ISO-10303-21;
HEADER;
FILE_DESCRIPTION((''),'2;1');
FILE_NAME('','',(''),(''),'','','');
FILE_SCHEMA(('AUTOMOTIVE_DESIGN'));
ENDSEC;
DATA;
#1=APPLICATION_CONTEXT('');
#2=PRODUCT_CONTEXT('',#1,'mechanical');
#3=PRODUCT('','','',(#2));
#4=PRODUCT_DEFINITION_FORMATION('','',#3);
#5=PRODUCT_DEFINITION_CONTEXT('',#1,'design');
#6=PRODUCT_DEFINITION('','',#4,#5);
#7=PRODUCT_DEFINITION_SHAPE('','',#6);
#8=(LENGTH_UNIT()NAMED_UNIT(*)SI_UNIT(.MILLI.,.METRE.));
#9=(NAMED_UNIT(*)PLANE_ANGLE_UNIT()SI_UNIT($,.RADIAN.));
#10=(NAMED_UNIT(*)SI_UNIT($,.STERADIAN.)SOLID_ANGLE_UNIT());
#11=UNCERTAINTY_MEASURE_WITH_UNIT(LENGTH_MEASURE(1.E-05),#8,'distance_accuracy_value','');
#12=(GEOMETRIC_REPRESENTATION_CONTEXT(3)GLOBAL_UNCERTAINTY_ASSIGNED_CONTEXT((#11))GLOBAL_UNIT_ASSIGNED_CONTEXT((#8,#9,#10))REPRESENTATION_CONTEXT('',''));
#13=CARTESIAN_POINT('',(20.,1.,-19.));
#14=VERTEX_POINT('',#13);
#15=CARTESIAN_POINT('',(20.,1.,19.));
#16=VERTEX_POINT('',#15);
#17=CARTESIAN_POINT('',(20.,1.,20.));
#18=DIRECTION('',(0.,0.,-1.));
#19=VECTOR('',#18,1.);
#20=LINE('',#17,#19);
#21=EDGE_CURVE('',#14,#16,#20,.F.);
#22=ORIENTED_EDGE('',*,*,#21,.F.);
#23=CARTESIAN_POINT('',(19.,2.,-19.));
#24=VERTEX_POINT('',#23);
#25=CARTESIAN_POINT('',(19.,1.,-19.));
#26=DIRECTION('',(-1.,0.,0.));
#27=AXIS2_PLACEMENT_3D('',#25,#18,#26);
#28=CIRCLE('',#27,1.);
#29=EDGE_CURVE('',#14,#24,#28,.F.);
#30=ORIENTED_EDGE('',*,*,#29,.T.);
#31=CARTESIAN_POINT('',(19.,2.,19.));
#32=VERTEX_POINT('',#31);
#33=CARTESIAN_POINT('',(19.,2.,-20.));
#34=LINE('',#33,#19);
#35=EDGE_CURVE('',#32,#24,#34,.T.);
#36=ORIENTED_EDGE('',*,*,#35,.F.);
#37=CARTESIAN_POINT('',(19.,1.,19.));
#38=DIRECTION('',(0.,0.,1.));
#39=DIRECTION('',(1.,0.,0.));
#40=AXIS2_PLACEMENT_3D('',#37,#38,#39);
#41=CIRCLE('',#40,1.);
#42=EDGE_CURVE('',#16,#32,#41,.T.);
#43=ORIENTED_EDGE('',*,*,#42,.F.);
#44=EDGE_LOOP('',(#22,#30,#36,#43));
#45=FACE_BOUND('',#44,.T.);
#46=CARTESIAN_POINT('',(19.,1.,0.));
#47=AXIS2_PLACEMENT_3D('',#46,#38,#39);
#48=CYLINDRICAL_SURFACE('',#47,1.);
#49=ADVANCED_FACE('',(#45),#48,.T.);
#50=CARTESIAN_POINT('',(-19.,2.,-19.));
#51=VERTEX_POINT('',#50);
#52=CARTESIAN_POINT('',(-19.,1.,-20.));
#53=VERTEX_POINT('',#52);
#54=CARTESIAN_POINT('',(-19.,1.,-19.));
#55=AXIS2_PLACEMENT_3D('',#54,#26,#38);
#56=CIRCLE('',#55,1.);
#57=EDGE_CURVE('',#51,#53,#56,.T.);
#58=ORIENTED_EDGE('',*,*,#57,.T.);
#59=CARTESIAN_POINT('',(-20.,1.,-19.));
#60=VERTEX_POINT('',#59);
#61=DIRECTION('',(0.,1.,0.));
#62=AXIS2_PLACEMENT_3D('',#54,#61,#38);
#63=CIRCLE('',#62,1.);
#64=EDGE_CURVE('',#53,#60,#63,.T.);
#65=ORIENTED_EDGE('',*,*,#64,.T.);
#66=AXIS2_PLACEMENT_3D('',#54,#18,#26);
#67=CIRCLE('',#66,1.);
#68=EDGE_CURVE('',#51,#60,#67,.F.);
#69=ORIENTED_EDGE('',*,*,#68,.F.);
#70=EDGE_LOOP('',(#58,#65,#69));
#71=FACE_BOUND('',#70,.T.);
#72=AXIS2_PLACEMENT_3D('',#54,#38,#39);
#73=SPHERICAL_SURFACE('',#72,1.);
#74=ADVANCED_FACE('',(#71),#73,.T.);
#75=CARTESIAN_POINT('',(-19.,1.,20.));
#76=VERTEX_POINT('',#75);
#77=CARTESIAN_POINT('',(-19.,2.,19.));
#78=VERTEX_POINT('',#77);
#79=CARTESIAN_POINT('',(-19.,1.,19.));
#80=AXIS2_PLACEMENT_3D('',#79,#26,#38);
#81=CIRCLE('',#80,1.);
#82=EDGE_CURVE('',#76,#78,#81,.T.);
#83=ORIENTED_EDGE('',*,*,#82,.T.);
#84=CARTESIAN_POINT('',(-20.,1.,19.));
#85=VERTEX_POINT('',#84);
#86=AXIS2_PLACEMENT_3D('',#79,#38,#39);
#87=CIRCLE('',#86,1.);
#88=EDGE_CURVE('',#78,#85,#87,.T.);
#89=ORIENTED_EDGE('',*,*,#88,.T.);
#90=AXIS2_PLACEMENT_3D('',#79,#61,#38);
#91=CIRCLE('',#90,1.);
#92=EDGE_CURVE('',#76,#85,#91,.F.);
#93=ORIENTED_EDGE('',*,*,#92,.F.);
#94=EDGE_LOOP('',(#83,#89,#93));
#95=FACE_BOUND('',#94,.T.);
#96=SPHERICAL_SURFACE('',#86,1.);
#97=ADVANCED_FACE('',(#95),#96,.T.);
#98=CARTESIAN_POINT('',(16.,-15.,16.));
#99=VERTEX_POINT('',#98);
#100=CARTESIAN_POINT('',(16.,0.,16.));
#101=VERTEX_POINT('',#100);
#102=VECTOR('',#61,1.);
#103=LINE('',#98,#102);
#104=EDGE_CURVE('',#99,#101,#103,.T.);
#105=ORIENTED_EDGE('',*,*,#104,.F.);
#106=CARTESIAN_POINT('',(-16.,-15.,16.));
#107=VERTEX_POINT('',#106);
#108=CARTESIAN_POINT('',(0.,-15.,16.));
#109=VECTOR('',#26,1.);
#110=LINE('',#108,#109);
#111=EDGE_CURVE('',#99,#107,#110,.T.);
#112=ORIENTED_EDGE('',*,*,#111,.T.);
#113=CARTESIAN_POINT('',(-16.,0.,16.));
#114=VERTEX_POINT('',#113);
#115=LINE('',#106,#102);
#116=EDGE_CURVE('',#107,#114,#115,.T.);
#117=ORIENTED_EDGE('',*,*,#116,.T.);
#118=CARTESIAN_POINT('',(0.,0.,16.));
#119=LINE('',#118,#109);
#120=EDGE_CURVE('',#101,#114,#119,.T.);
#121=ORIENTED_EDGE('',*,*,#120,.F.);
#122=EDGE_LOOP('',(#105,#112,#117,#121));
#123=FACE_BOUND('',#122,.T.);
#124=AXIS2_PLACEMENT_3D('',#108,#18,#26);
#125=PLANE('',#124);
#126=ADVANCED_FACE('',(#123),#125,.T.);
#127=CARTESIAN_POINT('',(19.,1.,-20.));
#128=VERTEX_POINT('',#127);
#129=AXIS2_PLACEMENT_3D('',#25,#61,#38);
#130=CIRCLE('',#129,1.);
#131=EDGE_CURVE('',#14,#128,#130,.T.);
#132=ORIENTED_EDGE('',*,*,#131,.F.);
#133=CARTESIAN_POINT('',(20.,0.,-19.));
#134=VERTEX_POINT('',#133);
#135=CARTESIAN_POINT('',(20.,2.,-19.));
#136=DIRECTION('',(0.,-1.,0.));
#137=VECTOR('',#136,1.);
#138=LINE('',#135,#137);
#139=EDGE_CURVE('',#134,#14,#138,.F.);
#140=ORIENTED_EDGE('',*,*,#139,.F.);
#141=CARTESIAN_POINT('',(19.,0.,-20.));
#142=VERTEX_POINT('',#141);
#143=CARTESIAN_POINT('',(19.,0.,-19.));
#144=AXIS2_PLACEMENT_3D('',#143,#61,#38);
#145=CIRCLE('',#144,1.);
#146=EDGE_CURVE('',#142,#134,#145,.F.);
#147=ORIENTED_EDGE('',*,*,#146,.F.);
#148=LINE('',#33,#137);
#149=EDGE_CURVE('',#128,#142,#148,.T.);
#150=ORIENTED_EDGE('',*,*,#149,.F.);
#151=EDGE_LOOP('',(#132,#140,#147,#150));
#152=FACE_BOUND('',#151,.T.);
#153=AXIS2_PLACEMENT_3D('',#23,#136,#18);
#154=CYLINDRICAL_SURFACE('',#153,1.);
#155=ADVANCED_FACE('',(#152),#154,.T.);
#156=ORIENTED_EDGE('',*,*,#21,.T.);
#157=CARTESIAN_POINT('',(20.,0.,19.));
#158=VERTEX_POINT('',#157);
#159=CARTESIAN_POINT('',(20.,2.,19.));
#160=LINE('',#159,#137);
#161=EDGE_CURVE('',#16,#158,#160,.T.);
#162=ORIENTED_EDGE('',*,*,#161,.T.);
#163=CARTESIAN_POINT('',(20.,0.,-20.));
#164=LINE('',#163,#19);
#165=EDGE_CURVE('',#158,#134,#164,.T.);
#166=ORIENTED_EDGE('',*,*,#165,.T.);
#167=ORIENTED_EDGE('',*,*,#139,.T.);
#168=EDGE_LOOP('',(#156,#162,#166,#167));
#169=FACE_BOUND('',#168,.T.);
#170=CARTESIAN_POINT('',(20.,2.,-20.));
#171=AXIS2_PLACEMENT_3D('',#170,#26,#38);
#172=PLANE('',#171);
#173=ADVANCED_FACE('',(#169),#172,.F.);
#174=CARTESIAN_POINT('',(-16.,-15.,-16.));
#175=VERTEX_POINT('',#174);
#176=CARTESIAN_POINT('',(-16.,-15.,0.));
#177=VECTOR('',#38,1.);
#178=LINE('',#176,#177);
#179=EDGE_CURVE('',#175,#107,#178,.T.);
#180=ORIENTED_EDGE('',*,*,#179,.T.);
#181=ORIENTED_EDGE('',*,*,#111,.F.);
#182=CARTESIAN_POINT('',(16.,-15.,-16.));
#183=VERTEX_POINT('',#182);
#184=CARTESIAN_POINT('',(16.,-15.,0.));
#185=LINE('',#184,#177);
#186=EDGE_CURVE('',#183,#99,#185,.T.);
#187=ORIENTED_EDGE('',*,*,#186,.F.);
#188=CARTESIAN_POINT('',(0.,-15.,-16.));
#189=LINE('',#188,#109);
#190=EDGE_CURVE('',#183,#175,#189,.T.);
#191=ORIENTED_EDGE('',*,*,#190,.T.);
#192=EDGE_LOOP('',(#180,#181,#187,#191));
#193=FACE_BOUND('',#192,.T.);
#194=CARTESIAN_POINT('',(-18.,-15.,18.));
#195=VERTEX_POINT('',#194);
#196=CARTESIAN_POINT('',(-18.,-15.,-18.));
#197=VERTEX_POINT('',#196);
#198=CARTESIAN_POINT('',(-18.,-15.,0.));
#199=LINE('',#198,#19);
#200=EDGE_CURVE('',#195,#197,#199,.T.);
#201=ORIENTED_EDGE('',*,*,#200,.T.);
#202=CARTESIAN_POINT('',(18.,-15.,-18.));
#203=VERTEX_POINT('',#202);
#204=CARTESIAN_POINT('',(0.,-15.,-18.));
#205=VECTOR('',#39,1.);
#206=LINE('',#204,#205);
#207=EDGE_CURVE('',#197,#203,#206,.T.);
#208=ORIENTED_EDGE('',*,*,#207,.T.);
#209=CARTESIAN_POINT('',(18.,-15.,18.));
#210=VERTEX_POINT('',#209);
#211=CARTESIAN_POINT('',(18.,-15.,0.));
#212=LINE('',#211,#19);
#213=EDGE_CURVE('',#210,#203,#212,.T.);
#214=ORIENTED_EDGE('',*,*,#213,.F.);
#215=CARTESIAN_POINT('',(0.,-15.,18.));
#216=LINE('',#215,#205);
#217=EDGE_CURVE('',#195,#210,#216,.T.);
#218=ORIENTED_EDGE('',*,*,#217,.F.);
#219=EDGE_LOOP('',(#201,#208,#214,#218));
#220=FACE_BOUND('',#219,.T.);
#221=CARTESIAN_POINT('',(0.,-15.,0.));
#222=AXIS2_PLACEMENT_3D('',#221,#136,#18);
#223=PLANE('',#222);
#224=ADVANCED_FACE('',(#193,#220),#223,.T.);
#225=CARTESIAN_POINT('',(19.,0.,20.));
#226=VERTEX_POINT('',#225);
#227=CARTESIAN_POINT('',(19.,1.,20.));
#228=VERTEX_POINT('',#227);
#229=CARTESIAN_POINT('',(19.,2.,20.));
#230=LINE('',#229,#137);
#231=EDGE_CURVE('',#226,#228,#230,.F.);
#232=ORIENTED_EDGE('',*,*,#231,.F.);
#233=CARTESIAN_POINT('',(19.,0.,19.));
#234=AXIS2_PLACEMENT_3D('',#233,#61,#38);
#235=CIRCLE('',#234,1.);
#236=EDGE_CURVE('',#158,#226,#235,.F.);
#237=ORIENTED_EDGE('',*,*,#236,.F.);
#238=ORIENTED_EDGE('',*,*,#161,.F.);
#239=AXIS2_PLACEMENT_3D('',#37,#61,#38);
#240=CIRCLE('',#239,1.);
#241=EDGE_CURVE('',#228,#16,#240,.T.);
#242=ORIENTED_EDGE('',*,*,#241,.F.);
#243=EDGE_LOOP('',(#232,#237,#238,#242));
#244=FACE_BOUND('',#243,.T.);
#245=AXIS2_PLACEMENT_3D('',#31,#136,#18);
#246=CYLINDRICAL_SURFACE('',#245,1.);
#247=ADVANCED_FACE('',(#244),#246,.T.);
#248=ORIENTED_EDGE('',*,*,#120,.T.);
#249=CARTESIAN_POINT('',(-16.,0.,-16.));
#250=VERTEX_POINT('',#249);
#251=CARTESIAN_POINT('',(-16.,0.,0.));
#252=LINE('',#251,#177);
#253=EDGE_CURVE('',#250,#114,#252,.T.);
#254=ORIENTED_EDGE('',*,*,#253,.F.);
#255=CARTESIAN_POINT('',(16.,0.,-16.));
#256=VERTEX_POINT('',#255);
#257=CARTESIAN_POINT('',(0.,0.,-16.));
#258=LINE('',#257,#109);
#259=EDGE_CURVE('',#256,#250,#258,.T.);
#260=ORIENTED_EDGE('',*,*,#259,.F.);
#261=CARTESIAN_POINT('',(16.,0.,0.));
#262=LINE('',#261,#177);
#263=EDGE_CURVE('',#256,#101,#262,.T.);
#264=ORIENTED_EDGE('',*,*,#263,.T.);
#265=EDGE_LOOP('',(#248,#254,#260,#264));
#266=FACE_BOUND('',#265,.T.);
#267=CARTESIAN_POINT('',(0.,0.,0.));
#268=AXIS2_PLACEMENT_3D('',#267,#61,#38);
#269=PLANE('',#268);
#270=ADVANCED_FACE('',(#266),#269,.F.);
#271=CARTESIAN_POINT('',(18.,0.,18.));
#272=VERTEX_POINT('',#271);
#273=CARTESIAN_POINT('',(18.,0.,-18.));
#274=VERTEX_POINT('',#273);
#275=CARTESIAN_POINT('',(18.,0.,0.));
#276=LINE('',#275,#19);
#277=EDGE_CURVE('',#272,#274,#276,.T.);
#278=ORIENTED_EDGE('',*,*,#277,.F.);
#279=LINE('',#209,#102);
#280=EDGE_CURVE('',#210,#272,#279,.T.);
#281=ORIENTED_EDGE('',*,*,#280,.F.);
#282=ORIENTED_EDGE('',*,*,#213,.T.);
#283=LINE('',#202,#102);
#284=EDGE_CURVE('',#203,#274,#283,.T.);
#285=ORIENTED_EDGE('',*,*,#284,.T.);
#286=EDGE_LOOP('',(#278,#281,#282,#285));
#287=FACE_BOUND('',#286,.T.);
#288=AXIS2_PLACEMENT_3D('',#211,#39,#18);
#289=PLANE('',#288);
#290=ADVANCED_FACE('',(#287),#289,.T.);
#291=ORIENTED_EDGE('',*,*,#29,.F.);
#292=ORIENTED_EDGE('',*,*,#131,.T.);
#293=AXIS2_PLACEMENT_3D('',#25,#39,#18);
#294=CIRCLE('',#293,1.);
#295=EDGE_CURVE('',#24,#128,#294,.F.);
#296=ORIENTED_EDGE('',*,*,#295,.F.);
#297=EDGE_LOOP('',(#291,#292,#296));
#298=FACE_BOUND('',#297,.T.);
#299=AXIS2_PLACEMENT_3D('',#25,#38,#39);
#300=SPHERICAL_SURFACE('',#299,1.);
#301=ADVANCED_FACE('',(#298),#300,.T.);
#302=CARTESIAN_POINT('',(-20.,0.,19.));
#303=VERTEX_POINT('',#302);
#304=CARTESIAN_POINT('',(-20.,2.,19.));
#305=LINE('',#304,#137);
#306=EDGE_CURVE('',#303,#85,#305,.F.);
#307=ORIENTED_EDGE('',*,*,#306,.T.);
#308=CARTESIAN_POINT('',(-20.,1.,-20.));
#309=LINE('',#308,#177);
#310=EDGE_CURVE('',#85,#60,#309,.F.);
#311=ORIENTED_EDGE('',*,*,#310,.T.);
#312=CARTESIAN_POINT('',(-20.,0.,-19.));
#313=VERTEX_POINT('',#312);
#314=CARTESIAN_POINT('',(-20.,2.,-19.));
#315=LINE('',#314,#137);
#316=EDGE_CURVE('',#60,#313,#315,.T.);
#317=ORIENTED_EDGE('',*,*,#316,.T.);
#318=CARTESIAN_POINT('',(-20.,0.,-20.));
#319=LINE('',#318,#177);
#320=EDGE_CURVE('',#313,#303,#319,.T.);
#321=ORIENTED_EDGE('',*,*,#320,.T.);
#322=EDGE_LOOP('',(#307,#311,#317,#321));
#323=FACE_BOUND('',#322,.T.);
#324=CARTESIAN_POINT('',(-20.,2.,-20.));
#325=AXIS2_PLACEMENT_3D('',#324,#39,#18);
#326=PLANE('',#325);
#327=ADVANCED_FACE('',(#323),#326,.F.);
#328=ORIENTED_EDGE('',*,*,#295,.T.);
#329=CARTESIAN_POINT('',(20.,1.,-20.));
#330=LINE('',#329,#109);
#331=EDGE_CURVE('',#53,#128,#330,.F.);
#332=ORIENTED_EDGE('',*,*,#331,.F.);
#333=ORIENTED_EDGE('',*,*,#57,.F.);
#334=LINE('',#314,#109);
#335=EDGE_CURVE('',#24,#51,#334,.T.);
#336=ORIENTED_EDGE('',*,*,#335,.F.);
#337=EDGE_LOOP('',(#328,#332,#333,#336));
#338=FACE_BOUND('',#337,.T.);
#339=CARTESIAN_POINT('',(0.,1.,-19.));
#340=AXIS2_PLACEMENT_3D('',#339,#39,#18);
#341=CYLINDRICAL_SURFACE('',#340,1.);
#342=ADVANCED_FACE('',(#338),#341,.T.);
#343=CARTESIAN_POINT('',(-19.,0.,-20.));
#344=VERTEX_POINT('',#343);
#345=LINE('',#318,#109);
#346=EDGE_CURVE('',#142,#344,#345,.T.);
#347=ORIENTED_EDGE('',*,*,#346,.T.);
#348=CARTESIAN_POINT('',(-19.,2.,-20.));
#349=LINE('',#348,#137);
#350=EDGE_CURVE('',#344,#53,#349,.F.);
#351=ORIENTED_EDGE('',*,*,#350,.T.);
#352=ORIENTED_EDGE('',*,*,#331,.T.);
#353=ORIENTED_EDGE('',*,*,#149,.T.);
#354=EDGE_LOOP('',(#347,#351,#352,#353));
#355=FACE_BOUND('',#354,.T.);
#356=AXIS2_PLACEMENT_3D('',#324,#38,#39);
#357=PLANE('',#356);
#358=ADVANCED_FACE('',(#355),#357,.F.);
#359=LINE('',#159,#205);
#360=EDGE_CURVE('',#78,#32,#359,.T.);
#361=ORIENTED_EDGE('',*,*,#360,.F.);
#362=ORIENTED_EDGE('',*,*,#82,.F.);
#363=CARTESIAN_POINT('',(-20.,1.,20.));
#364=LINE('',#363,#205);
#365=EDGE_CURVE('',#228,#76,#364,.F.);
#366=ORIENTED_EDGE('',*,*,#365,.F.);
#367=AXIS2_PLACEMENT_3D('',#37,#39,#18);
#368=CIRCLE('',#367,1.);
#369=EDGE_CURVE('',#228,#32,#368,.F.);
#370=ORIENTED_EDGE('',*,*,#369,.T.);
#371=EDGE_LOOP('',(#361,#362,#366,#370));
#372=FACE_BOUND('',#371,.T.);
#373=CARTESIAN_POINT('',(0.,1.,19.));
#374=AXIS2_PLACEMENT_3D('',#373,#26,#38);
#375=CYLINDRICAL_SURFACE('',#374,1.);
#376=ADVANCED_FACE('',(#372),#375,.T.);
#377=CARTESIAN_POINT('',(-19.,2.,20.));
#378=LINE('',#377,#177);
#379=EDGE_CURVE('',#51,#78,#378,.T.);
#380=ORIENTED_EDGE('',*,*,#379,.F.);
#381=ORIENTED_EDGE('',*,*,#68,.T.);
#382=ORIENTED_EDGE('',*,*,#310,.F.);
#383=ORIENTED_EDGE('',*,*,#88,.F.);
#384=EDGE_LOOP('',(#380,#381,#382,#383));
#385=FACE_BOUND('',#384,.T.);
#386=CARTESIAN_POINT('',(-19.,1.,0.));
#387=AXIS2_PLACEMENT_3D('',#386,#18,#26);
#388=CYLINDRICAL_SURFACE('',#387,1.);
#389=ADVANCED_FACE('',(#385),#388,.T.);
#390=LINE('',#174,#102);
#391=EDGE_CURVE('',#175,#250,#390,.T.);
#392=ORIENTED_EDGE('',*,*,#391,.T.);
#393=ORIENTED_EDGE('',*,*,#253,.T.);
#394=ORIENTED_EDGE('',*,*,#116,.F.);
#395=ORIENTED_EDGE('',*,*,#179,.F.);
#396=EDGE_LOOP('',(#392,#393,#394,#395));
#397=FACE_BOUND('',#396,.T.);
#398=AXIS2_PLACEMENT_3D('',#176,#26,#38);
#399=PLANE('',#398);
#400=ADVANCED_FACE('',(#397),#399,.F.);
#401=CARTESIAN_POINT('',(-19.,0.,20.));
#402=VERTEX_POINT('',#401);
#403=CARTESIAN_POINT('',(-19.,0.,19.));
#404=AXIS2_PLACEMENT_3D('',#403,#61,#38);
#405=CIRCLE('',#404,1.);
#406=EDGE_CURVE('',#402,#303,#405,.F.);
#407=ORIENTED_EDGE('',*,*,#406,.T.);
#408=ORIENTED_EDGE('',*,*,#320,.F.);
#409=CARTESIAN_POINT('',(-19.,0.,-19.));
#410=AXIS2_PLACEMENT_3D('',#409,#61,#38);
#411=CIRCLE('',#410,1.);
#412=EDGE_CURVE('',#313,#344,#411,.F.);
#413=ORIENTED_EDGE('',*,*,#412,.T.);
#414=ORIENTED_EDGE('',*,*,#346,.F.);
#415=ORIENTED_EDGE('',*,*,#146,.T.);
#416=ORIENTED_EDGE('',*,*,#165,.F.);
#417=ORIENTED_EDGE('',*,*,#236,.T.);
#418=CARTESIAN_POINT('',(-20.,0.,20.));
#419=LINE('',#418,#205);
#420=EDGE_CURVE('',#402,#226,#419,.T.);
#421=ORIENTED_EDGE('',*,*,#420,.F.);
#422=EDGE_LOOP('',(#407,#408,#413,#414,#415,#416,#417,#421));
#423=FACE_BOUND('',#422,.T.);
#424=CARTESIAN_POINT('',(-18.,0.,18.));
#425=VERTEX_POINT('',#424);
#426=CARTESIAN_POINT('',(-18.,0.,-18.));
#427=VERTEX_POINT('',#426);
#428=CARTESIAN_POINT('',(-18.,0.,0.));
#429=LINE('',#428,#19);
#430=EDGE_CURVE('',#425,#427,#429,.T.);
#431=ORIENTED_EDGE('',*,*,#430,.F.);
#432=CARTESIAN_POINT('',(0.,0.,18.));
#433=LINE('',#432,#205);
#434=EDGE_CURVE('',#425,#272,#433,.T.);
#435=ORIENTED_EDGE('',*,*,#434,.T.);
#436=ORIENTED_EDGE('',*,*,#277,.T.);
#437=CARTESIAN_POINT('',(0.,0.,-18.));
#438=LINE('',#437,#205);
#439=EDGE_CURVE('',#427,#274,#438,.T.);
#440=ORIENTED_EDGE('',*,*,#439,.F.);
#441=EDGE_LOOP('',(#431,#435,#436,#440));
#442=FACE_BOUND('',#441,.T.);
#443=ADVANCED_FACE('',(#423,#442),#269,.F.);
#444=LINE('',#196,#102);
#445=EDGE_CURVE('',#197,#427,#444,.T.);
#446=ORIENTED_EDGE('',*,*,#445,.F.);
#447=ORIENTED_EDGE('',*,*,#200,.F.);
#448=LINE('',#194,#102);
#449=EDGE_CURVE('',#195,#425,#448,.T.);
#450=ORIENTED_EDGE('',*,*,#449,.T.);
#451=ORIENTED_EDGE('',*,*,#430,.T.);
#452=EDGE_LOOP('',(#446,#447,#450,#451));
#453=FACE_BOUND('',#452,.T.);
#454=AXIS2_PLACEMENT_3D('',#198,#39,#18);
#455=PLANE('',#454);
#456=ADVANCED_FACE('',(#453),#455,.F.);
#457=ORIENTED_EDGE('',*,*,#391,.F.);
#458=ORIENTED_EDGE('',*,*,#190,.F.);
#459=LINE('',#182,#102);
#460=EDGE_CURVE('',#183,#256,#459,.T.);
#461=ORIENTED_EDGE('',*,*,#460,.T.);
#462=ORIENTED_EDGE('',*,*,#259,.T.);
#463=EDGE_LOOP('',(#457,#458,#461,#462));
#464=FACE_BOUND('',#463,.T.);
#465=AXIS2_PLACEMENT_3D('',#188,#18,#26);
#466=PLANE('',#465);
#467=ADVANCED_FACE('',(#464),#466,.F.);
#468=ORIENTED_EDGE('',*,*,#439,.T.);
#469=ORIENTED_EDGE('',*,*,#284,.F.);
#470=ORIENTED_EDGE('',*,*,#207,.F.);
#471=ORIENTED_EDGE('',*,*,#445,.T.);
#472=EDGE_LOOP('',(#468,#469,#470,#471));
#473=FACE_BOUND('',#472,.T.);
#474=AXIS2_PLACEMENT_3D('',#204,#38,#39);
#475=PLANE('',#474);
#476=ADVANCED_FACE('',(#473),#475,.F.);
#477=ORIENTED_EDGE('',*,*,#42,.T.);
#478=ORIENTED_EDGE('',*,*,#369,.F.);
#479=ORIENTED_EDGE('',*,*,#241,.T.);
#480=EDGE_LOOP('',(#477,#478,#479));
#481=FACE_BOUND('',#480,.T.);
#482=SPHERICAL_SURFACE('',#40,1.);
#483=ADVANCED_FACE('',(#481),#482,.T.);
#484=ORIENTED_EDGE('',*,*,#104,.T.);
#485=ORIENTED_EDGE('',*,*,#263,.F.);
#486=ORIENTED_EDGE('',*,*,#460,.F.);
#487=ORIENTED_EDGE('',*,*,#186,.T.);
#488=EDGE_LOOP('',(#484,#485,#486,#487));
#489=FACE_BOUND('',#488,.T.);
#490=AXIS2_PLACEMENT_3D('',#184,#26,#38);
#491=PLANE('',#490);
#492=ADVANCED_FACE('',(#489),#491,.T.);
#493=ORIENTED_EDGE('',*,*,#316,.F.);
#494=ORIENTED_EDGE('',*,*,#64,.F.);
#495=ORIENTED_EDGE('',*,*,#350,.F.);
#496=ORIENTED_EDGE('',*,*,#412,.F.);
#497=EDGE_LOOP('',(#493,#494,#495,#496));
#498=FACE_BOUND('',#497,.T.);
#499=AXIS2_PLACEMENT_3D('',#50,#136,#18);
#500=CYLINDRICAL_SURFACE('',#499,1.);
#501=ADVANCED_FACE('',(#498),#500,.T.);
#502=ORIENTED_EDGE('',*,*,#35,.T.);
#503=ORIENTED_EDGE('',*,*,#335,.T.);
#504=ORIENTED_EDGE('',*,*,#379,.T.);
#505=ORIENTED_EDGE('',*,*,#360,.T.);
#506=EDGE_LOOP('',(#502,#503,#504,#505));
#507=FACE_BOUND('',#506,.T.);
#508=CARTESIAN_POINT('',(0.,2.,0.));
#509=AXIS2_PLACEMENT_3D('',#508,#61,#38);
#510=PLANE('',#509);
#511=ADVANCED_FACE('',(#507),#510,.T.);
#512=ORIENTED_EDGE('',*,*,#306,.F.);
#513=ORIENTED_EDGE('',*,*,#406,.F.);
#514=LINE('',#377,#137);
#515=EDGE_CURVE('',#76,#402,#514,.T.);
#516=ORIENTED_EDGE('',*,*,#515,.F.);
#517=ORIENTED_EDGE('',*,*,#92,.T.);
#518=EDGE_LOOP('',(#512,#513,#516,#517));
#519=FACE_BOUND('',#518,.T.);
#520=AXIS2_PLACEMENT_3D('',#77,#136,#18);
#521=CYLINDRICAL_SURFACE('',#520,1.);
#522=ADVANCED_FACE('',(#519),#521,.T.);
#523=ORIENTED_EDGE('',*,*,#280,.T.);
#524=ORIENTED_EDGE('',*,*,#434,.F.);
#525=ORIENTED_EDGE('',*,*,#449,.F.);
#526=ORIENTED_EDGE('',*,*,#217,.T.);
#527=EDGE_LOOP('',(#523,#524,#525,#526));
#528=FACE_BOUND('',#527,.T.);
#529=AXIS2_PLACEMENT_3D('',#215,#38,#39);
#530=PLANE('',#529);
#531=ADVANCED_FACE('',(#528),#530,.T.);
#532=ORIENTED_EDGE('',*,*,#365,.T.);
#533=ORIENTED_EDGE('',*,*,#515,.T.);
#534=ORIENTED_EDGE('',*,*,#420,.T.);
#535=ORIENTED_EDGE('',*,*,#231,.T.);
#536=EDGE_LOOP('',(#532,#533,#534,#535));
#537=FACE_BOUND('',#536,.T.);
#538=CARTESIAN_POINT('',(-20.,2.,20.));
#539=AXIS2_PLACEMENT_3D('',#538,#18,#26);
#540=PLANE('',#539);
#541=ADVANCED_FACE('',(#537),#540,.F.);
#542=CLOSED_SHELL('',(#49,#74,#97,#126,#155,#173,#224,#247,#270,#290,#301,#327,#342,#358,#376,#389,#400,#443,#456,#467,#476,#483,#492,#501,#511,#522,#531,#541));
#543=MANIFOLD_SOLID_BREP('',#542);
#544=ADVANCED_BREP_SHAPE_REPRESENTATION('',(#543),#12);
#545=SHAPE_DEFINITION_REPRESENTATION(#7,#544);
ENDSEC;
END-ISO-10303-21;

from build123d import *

# Parameters (mm, degrees)
SKETCH1_W           = 40
SKETCH1_H           = 40
BOSS_EXTRUDE1_DEPTH = 2
SKETCH2_W           = 36
SKETCH2_H           = 36
SKETCH2_W_2         = 32
SKETCH2_H_2         = 32
BOSS_EXTRUDE2_DEPTH = 15
FILLET1_R           = 1


with BuildPart() as part:
    # Sketch1 → Boss-Extrude1 (new body)
    with BuildSketch(Plane(origin=(0, 0, 0), x_dir=(1, 0, 0), z_dir=(0, 1, 0))):
        Rectangle(SKETCH1_W, SKETCH1_H)
    extrude(amount=BOSS_EXTRUDE1_DEPTH)

    # Sketch2 → Boss-Extrude2 (add)
    with BuildSketch(Plane(origin=(0, 0, 0), x_dir=(-1, 0, 0), z_dir=(0, -1, 0))):
        Rectangle(SKETCH2_W, SKETCH2_H)
        Rectangle(SKETCH2_W_2, SKETCH2_H_2, mode=Mode.SUBTRACT)
    extrude(amount=BOSS_EXTRUDE2_DEPTH)

    # Fillet1
    fillet1_edges = [part.edges().sort_by_distance(p)[0] for p in [
        (-20, 2, 0),
        (0, 2, 20),
        (20, 2, 0),
        (0, 2, -20),
        (20, 1, 20),
        (-20, 1, 20),
        (-20, 1, -20),
        (20, 1, -20),
    ]]
    fillet(fillet1_edges, radius=FILLET1_R)


solid = part.part
